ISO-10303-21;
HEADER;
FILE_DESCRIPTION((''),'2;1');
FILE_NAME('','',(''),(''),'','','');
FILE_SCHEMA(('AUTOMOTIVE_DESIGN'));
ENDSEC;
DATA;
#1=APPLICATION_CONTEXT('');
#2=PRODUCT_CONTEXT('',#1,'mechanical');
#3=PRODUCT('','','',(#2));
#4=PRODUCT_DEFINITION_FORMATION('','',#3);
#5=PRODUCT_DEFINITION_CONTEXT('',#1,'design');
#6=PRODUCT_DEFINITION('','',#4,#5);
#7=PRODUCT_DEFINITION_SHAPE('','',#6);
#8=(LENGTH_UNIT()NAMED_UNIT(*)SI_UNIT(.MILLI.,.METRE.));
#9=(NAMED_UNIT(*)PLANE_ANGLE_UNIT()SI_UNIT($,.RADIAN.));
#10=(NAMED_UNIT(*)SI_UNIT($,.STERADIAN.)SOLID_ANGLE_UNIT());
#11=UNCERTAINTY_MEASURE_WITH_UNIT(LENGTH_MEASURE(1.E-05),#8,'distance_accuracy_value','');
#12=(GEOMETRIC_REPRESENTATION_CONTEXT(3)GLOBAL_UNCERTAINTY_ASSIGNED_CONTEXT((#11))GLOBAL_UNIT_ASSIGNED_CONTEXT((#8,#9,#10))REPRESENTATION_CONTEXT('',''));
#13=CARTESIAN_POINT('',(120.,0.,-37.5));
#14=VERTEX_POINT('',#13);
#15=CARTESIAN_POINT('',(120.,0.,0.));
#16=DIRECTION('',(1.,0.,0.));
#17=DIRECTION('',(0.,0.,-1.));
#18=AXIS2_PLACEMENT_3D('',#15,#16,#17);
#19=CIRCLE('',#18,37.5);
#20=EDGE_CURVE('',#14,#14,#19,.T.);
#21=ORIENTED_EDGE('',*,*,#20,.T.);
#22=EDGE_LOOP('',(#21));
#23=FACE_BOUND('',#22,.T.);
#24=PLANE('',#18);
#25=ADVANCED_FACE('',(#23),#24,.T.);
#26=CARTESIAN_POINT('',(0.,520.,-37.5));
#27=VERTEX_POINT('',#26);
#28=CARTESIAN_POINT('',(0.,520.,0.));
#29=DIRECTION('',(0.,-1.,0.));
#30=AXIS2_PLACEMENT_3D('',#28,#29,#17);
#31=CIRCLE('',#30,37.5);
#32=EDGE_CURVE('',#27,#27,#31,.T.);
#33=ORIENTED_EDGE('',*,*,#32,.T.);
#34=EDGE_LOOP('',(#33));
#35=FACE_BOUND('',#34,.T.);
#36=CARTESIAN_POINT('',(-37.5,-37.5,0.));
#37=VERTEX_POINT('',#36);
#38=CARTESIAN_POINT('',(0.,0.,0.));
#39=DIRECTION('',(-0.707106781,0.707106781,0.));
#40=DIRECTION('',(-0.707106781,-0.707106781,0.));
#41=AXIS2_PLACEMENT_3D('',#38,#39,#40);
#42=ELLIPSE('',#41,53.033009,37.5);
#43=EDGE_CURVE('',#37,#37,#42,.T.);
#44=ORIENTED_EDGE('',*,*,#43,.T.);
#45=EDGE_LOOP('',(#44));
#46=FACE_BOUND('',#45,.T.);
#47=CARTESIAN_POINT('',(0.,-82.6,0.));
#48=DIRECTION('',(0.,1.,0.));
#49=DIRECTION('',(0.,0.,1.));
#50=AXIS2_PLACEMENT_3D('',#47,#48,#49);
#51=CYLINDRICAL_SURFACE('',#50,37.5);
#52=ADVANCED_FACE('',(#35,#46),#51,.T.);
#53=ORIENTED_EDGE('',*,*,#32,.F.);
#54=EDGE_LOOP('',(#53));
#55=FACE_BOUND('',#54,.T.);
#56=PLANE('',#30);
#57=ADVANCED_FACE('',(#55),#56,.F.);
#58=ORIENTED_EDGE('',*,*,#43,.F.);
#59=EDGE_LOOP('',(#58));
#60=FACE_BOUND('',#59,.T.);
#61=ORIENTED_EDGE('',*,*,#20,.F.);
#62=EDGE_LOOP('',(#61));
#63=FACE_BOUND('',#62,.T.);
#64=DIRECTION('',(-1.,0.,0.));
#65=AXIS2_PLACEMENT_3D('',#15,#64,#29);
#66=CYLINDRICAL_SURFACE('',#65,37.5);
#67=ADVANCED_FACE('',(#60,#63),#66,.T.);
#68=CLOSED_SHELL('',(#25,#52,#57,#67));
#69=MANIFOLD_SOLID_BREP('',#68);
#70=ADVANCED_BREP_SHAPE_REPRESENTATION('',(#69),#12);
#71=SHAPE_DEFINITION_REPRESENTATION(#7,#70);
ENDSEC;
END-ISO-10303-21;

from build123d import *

# Parameters (mm, degrees)
SWEEP2_PROFILE_R = 37.5
MOVE_FACE1_BY    = 100
MOVE_FACE2_BY    = 120


with BuildPart() as part:
    # Sweep2: sweep along a path in Sketch1
    with BuildLine(Plane.XY) as sweep2_path:
        Line((120, 0), (0, 0))
        Line((0, 0), (0, 300))
    # Sweep2 profile (on start of the path) → Sweep2 (sweep)
    with BuildSketch(Plane(origin=(120, 0, 0), x_dir=(0, -1, 0), z_dir=(-1, 0, 0))):
        Circle(SWEEP2_PROFILE_R)
    sweep(path=sweep2_path.line, transition=Transition.RIGHT)

    # Move Face1: a face moved outward by 100.0
    extrude(part.faces().sort_by_distance((0, 300, 0))[0], amount=MOVE_FACE1_BY, dir=(0, 1, 0))

    # Move Face2: a face moved outward by 120.0
    extrude(part.faces().sort_by_distance((0, 400, 0))[0], amount=MOVE_FACE2_BY, dir=(0, 1, 0))


solid = part.part
